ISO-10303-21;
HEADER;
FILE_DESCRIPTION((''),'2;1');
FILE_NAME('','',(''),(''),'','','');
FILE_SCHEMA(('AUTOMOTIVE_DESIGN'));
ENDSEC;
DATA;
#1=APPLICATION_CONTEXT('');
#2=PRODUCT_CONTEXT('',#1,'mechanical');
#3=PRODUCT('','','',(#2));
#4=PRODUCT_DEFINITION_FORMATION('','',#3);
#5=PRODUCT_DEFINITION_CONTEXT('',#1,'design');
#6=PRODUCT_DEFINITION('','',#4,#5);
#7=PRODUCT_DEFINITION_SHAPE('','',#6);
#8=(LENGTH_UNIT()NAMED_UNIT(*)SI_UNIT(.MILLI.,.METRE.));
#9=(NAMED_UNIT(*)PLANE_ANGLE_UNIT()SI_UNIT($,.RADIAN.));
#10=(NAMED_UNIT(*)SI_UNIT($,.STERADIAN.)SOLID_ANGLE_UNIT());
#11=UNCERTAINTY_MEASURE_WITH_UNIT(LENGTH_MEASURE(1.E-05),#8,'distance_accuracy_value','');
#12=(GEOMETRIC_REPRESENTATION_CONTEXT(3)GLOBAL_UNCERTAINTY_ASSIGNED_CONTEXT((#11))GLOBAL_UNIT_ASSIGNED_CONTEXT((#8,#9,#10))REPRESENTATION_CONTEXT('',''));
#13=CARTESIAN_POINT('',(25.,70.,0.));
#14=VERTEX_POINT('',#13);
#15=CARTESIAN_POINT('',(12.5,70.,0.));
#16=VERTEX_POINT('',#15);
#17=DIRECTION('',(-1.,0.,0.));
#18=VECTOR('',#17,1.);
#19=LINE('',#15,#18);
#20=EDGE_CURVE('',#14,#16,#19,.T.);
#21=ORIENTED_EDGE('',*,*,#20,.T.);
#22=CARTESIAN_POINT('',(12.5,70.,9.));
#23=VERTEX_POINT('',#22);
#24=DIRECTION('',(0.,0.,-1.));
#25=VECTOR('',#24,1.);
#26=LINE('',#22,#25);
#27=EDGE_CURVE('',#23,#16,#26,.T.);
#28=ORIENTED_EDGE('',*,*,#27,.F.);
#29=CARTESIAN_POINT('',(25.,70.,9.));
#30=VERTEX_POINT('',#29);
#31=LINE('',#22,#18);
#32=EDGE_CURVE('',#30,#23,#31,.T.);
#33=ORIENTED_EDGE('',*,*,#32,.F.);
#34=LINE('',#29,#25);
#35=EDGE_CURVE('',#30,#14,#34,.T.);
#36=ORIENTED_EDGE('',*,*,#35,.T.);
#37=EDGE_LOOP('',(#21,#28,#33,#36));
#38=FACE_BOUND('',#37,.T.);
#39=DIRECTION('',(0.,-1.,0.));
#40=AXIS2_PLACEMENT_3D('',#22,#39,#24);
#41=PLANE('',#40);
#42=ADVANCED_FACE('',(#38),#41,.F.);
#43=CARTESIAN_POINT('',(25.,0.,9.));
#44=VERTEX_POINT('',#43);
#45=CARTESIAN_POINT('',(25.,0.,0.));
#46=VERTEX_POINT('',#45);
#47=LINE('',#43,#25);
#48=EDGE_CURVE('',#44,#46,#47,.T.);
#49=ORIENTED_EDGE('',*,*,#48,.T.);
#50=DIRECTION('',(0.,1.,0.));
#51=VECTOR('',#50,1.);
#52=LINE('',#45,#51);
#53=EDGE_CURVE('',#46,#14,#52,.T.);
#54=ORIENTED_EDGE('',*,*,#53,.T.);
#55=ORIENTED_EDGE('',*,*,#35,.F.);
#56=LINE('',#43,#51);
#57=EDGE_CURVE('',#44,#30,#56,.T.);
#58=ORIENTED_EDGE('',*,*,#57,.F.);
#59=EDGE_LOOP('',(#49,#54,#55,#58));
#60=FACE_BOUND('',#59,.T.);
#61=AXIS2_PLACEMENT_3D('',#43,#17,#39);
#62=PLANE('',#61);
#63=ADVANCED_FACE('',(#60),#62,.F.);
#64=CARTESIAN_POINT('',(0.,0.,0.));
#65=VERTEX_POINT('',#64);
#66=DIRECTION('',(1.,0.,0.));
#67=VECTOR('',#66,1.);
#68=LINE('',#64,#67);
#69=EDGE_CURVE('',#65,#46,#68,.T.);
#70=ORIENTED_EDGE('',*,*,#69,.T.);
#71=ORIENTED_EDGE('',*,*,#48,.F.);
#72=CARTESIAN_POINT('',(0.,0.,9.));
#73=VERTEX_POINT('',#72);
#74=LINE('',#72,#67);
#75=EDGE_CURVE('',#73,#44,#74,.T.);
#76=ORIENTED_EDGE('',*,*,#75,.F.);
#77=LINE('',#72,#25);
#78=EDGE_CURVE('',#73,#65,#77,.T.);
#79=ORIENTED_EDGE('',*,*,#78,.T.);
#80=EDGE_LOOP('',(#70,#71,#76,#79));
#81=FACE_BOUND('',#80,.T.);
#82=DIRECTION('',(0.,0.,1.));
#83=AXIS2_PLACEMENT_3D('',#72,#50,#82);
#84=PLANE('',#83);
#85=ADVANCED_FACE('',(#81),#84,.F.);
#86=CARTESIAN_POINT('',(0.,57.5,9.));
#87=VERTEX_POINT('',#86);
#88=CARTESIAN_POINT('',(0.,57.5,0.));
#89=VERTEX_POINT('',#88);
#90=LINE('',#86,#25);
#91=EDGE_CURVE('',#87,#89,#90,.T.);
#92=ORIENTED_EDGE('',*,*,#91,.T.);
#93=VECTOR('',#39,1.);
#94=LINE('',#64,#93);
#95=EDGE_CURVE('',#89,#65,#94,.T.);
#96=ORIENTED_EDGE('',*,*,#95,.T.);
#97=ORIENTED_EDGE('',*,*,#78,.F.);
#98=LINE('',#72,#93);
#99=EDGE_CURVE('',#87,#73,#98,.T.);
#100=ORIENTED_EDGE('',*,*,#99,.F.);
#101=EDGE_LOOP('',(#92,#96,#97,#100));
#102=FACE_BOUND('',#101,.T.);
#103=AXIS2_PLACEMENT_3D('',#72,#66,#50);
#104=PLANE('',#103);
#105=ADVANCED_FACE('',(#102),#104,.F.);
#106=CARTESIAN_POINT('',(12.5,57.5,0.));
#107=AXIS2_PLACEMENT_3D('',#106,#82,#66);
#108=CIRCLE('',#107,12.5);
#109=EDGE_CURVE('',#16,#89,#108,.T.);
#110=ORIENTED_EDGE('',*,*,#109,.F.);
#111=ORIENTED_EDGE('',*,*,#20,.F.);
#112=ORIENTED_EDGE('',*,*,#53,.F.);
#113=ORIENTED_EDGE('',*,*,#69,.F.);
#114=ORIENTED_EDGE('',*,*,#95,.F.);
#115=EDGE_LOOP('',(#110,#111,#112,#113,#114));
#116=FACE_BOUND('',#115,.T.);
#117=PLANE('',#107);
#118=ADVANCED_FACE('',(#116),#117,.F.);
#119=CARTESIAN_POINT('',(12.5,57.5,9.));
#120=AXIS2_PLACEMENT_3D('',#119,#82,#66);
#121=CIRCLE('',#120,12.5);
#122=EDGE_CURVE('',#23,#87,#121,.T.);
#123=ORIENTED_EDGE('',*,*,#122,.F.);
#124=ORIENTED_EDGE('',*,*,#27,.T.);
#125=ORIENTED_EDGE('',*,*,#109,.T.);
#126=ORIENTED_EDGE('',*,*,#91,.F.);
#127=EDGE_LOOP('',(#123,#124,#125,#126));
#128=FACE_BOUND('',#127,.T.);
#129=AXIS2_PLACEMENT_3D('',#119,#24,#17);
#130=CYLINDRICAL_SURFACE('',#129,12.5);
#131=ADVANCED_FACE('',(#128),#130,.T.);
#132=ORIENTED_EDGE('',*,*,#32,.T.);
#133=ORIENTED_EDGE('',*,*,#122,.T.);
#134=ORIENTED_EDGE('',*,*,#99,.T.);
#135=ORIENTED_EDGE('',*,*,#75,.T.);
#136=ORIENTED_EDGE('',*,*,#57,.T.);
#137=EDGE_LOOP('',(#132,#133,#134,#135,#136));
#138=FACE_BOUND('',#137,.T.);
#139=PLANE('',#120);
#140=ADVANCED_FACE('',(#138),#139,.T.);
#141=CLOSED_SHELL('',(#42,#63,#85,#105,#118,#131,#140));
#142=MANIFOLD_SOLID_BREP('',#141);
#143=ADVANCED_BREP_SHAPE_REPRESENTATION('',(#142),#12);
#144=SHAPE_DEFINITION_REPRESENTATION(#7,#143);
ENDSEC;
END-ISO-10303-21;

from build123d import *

# Parameters (mm, degrees)
BOSS_EXTRUDE1_DEPTH = 9


with BuildPart() as part:
    # Sketch1 → Boss-Extrude1 (new body)
    with BuildSketch(Plane.XY):
        with BuildLine():
            Line((0, 0), (25, 0))
            Line((25, 0), (25, 70))
            Line((25, 70), (12.5, 70))
            ThreePointArc((12.5, 70), (3.661165235, 66.338834765), (0, 57.5))
            Line((0, 57.5), (0, 0))
        make_face()
    extrude(amount=BOSS_EXTRUDE1_DEPTH)


solid = part.part
